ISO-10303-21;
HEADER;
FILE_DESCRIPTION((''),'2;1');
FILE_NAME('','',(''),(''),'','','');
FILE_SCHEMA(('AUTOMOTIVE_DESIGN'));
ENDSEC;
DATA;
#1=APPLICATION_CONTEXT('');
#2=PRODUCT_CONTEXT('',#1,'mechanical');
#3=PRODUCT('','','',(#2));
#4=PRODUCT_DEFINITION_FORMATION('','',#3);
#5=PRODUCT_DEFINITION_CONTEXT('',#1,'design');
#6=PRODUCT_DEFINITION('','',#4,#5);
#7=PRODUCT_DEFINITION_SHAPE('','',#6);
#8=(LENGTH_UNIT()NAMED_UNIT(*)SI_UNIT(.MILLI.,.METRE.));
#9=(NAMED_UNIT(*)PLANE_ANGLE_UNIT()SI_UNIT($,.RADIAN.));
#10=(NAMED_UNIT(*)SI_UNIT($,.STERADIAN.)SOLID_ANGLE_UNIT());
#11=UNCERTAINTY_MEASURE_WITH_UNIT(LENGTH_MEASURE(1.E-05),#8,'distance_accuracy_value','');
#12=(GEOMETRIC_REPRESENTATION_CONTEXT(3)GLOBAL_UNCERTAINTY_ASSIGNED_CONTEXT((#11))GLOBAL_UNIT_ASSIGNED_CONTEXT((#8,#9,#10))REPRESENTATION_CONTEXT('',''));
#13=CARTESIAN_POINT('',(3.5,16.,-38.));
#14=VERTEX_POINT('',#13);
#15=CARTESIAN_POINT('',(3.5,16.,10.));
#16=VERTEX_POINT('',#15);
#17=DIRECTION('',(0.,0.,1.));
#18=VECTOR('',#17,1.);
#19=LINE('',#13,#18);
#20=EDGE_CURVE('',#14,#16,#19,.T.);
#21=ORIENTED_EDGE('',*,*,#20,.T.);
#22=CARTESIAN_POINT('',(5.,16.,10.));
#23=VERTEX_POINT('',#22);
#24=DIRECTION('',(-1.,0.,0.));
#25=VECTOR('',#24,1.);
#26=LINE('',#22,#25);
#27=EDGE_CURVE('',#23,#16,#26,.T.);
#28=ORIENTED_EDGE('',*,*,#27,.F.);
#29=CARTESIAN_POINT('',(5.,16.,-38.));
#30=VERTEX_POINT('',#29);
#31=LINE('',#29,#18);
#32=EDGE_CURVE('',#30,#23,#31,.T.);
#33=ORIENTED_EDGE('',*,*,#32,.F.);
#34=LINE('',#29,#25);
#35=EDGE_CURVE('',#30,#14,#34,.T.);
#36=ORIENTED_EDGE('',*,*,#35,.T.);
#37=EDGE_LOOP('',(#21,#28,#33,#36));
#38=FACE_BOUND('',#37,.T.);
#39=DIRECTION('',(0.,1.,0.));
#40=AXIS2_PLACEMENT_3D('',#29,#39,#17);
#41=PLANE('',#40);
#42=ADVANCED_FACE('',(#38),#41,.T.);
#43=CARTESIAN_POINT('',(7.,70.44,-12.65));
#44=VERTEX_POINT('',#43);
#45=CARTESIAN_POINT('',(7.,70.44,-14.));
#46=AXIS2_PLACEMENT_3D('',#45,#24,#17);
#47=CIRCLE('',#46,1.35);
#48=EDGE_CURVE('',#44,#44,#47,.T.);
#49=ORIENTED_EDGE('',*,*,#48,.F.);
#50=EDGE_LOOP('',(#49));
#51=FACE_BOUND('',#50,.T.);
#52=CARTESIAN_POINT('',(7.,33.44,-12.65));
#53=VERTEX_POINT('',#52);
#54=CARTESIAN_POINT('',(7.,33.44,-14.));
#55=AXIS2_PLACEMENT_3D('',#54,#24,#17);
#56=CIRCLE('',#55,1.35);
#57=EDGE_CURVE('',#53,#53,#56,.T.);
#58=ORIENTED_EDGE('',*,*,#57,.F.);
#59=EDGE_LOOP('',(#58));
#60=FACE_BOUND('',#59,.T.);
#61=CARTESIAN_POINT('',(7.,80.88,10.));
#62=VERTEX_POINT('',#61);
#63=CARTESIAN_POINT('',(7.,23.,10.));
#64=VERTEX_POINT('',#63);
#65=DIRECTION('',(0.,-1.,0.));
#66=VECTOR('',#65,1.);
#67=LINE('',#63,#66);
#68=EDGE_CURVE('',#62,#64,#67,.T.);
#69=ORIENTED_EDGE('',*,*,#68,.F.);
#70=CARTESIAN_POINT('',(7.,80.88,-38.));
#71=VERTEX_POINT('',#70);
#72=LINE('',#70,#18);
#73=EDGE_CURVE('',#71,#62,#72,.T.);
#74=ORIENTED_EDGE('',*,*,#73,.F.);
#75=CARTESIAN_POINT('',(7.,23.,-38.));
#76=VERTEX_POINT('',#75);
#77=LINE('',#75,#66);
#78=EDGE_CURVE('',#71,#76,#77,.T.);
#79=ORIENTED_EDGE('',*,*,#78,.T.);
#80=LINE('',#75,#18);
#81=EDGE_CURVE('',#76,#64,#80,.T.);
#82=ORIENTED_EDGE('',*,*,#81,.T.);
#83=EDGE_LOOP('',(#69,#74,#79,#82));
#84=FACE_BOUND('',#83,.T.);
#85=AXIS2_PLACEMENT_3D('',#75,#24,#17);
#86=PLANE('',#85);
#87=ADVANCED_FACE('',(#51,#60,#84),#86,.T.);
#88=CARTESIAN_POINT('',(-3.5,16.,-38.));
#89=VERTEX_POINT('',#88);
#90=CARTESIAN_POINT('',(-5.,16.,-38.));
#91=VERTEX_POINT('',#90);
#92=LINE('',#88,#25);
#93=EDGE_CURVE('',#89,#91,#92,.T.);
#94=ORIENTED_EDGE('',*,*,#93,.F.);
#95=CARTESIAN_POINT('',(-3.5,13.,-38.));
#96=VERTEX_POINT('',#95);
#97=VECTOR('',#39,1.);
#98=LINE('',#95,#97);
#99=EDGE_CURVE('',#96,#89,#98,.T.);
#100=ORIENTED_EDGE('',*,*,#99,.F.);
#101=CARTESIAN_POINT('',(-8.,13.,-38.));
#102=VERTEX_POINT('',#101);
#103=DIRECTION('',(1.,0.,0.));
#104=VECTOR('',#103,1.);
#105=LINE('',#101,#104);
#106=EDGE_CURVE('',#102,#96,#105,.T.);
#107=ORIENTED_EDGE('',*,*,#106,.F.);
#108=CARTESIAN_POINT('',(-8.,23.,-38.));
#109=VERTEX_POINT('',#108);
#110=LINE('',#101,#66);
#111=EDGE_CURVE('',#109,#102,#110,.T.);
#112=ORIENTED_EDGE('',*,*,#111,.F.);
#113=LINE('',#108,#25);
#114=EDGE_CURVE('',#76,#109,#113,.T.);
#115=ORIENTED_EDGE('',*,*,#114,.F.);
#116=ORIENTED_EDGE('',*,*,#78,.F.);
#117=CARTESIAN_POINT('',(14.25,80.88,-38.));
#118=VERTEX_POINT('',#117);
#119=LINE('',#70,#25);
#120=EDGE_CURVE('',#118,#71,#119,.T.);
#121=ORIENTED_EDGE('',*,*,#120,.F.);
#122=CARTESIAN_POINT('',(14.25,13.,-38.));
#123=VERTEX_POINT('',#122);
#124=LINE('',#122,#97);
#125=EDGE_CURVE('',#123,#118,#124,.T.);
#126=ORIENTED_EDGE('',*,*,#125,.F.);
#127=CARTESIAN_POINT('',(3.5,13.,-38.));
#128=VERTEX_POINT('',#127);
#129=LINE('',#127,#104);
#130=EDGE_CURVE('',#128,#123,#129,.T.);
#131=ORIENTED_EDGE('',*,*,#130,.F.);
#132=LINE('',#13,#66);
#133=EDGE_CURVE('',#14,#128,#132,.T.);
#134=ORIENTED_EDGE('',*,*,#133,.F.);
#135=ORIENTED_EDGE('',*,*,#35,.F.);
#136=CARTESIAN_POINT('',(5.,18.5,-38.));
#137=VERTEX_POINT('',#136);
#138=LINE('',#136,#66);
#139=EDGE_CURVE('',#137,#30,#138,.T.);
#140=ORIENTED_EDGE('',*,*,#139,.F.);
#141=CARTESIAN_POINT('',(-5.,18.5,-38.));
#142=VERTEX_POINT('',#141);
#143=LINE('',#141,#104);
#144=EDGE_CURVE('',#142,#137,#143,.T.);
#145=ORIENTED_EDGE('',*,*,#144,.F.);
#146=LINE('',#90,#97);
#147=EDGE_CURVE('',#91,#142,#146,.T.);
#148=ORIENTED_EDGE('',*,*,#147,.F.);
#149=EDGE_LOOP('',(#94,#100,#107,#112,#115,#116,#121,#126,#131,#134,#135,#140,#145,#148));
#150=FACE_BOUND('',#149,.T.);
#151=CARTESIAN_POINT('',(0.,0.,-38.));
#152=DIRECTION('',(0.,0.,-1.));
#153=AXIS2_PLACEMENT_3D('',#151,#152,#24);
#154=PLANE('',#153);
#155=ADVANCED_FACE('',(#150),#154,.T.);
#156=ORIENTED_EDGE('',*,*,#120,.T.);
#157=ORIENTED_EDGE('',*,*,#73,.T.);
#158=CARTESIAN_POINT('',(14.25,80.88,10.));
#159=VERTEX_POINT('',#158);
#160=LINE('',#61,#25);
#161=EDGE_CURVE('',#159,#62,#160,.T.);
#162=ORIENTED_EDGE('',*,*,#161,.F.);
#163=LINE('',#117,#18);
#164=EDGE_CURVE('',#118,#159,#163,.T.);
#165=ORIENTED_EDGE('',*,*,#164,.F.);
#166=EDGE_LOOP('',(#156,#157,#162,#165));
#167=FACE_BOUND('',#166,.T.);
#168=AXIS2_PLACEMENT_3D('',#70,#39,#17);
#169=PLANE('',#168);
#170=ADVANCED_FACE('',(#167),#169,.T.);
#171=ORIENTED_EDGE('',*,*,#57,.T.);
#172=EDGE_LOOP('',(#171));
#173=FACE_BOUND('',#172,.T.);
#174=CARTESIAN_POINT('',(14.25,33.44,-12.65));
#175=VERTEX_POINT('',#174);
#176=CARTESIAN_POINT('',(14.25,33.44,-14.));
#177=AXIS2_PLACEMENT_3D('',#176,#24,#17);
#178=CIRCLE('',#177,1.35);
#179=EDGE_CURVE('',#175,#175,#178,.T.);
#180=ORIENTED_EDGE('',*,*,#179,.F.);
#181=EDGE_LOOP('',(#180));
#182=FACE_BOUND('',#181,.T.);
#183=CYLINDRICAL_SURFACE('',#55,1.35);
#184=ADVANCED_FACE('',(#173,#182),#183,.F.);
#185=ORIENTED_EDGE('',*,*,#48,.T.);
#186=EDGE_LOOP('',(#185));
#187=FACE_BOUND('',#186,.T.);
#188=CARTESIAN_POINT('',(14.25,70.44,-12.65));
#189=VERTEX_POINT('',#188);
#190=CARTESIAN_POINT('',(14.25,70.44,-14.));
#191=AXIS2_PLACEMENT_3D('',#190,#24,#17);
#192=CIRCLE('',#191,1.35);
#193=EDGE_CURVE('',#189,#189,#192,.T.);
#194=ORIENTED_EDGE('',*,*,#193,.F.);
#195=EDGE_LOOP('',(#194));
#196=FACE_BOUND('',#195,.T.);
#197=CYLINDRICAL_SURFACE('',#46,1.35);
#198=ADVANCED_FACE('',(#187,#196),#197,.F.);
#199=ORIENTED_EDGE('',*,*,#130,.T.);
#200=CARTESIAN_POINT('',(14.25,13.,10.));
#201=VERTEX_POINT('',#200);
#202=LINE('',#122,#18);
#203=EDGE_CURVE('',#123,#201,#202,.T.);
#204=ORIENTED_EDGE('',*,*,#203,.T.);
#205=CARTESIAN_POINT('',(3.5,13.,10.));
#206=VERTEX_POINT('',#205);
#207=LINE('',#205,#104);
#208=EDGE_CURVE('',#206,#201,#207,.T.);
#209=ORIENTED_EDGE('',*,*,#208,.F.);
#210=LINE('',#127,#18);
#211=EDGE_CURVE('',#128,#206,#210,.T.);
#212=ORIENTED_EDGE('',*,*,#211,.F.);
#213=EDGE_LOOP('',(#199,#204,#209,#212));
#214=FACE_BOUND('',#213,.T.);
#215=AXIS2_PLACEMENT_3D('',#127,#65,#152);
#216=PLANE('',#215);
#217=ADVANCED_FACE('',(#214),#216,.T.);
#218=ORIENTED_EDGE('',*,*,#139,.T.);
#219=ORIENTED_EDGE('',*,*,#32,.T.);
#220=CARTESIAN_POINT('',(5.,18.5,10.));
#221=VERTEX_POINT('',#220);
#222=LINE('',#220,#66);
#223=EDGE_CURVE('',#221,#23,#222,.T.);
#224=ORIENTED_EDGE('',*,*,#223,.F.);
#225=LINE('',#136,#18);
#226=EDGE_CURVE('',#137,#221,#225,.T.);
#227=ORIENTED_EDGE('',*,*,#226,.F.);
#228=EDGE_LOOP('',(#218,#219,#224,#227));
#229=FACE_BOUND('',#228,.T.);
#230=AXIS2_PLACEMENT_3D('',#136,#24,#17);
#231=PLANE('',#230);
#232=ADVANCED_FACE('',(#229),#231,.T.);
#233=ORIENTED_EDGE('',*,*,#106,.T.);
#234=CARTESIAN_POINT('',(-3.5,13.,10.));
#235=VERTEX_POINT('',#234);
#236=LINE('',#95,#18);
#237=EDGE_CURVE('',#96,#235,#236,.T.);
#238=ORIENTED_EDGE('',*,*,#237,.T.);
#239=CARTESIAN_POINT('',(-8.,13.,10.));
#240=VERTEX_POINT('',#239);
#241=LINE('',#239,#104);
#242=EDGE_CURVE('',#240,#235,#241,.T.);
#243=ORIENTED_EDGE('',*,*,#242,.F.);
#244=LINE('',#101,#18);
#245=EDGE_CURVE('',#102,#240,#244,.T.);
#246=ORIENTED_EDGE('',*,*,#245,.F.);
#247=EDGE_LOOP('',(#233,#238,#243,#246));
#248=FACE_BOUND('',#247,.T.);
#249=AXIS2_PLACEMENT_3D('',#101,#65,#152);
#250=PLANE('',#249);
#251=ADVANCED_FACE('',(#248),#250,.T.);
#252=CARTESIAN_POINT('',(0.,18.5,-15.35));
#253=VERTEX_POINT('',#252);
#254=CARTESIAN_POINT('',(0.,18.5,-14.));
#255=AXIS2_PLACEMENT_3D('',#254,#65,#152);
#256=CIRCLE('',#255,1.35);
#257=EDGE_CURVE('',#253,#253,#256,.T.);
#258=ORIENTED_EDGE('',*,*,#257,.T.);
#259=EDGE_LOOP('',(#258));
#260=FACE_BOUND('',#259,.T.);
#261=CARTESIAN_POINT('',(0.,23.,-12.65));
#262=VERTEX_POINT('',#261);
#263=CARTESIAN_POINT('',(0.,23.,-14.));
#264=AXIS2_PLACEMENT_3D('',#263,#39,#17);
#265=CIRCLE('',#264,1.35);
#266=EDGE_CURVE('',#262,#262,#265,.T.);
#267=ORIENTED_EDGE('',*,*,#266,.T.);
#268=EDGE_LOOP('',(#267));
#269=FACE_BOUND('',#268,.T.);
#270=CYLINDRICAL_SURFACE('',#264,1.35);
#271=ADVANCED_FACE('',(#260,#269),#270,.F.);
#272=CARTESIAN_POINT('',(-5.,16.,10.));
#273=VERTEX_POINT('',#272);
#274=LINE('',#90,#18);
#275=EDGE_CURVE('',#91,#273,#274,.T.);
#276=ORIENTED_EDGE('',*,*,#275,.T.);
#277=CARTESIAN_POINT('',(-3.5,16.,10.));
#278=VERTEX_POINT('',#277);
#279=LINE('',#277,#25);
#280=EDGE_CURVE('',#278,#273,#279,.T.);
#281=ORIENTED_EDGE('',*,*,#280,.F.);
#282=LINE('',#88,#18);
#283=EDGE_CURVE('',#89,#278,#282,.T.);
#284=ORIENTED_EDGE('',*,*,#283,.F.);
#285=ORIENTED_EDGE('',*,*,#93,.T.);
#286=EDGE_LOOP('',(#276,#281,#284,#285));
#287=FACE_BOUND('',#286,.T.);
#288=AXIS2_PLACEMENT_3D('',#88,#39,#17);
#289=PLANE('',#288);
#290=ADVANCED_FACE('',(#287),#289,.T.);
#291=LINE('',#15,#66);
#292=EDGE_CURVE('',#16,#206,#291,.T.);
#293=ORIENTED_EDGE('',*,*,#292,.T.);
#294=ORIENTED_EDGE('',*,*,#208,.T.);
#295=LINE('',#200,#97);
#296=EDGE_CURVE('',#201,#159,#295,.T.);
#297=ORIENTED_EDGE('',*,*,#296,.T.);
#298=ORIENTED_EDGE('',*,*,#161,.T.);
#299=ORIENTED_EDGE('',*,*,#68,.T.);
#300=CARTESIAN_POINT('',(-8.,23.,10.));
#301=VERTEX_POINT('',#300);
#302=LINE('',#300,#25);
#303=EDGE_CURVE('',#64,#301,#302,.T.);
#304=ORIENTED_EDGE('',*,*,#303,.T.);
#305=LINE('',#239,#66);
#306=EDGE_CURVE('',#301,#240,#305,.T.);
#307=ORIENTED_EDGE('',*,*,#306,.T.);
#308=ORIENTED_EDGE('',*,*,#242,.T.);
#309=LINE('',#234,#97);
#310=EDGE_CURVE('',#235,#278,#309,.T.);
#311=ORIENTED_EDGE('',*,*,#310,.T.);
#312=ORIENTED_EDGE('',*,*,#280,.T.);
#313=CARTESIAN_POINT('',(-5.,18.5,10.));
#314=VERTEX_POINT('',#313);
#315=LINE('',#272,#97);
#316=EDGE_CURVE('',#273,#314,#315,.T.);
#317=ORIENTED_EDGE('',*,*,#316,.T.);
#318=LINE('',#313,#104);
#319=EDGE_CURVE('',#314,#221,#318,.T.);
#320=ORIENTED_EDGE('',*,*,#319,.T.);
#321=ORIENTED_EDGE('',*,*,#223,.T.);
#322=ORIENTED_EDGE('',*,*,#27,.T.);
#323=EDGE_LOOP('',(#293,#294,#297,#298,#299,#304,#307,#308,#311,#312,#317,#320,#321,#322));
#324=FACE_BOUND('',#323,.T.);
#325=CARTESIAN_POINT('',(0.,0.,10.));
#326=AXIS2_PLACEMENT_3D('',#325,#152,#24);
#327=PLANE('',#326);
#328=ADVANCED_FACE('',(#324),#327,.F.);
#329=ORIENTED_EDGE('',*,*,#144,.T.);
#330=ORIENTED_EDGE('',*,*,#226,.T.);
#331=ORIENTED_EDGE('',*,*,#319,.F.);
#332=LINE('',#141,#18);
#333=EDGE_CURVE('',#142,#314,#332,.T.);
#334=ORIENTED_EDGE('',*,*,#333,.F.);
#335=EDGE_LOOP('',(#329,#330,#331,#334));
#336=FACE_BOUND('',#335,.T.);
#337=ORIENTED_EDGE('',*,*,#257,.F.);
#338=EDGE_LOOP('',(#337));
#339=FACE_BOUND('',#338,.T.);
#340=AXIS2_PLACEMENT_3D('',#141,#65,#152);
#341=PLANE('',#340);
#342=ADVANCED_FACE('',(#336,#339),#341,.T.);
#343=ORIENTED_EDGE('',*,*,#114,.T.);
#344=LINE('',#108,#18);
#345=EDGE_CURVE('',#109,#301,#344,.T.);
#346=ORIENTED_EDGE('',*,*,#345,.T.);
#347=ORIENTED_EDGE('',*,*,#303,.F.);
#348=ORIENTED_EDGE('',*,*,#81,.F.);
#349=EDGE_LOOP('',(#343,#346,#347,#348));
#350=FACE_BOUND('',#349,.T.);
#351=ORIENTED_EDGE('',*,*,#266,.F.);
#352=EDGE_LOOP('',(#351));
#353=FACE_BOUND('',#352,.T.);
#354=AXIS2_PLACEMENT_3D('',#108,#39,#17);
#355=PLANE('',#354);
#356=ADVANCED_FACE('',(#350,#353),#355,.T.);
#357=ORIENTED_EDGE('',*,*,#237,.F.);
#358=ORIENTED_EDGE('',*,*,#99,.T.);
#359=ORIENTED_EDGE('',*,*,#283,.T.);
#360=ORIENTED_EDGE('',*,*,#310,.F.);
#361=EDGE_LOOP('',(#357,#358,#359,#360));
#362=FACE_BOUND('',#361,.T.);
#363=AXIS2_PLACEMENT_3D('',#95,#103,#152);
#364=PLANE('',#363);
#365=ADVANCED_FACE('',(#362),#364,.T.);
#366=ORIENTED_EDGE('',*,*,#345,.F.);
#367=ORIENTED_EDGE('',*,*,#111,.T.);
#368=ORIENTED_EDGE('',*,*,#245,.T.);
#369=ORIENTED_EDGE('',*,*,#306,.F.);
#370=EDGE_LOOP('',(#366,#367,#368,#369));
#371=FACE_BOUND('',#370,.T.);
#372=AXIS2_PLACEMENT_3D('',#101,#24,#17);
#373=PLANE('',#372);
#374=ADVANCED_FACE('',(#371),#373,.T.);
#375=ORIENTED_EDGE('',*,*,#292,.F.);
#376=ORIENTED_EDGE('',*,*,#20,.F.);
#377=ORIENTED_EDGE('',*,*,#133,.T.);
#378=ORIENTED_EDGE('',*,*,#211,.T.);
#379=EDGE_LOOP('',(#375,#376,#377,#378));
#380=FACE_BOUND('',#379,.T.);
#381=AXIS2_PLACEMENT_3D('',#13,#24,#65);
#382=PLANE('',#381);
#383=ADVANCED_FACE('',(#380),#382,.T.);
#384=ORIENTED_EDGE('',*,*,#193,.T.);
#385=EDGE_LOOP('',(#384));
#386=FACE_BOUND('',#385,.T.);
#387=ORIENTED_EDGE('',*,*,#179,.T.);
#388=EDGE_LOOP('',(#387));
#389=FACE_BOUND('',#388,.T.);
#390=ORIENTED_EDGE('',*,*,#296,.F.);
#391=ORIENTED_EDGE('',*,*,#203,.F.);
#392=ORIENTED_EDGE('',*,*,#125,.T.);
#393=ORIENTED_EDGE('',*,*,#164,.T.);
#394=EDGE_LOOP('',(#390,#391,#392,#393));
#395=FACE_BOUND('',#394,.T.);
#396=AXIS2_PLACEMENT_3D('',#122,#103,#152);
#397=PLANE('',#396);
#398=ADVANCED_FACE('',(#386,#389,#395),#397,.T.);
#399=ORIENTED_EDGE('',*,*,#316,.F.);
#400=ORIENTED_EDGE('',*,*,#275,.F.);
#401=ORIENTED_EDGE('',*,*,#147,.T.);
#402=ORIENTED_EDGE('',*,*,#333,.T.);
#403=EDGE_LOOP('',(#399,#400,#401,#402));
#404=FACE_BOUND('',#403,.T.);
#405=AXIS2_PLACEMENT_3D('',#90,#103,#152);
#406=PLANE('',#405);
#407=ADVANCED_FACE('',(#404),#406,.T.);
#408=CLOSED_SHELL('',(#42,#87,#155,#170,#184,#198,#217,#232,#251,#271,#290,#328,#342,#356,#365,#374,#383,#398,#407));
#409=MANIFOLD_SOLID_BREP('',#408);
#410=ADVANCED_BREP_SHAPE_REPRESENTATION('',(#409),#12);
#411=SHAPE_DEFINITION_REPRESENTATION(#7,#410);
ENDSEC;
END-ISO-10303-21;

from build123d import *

# Parameters (mm, degrees)
BOSS_EXTRUDE1_DEPTH    = 48
M2_5_CLEARANCE_HOLE2_D = 2.7
M2_5_CLEARANCE_HOLE3_D = 2.7


with BuildPart() as part:
    # Sketch3 → Boss-Extrude1 (new body)
    with BuildSketch(Plane.XY.offset(10)):
        Polygon((-8, 13), (-3.5, 13), (-3.5, 16), (-5, 16), (-5, 18.5), (5, 18.5), (5, 16), (3.5, 16), (3.5, 13), (14.25, 13), (14.25, 80.88), (7, 80.88), (7, 23), (-8, 23), align=None)
    extrude(amount=-BOSS_EXTRUDE1_DEPTH)

    # M2.5 Clearance Hole2 (through all)
    with Locations(Plane(origin=(0, 23, 0), x_dir=(1, 0, 0), z_dir=(0, 1, 0))):
        with Locations((0, 14)):
            Hole(M2_5_CLEARANCE_HOLE2_D / 2)

    # M2.5 Clearance Hole3 (through all)
    with Locations(Plane.ZY.offset(-7)):
        with Locations((-14, 70.44), (-14, 33.44)):
            Hole(M2_5_CLEARANCE_HOLE3_D / 2)


solid = part.part
